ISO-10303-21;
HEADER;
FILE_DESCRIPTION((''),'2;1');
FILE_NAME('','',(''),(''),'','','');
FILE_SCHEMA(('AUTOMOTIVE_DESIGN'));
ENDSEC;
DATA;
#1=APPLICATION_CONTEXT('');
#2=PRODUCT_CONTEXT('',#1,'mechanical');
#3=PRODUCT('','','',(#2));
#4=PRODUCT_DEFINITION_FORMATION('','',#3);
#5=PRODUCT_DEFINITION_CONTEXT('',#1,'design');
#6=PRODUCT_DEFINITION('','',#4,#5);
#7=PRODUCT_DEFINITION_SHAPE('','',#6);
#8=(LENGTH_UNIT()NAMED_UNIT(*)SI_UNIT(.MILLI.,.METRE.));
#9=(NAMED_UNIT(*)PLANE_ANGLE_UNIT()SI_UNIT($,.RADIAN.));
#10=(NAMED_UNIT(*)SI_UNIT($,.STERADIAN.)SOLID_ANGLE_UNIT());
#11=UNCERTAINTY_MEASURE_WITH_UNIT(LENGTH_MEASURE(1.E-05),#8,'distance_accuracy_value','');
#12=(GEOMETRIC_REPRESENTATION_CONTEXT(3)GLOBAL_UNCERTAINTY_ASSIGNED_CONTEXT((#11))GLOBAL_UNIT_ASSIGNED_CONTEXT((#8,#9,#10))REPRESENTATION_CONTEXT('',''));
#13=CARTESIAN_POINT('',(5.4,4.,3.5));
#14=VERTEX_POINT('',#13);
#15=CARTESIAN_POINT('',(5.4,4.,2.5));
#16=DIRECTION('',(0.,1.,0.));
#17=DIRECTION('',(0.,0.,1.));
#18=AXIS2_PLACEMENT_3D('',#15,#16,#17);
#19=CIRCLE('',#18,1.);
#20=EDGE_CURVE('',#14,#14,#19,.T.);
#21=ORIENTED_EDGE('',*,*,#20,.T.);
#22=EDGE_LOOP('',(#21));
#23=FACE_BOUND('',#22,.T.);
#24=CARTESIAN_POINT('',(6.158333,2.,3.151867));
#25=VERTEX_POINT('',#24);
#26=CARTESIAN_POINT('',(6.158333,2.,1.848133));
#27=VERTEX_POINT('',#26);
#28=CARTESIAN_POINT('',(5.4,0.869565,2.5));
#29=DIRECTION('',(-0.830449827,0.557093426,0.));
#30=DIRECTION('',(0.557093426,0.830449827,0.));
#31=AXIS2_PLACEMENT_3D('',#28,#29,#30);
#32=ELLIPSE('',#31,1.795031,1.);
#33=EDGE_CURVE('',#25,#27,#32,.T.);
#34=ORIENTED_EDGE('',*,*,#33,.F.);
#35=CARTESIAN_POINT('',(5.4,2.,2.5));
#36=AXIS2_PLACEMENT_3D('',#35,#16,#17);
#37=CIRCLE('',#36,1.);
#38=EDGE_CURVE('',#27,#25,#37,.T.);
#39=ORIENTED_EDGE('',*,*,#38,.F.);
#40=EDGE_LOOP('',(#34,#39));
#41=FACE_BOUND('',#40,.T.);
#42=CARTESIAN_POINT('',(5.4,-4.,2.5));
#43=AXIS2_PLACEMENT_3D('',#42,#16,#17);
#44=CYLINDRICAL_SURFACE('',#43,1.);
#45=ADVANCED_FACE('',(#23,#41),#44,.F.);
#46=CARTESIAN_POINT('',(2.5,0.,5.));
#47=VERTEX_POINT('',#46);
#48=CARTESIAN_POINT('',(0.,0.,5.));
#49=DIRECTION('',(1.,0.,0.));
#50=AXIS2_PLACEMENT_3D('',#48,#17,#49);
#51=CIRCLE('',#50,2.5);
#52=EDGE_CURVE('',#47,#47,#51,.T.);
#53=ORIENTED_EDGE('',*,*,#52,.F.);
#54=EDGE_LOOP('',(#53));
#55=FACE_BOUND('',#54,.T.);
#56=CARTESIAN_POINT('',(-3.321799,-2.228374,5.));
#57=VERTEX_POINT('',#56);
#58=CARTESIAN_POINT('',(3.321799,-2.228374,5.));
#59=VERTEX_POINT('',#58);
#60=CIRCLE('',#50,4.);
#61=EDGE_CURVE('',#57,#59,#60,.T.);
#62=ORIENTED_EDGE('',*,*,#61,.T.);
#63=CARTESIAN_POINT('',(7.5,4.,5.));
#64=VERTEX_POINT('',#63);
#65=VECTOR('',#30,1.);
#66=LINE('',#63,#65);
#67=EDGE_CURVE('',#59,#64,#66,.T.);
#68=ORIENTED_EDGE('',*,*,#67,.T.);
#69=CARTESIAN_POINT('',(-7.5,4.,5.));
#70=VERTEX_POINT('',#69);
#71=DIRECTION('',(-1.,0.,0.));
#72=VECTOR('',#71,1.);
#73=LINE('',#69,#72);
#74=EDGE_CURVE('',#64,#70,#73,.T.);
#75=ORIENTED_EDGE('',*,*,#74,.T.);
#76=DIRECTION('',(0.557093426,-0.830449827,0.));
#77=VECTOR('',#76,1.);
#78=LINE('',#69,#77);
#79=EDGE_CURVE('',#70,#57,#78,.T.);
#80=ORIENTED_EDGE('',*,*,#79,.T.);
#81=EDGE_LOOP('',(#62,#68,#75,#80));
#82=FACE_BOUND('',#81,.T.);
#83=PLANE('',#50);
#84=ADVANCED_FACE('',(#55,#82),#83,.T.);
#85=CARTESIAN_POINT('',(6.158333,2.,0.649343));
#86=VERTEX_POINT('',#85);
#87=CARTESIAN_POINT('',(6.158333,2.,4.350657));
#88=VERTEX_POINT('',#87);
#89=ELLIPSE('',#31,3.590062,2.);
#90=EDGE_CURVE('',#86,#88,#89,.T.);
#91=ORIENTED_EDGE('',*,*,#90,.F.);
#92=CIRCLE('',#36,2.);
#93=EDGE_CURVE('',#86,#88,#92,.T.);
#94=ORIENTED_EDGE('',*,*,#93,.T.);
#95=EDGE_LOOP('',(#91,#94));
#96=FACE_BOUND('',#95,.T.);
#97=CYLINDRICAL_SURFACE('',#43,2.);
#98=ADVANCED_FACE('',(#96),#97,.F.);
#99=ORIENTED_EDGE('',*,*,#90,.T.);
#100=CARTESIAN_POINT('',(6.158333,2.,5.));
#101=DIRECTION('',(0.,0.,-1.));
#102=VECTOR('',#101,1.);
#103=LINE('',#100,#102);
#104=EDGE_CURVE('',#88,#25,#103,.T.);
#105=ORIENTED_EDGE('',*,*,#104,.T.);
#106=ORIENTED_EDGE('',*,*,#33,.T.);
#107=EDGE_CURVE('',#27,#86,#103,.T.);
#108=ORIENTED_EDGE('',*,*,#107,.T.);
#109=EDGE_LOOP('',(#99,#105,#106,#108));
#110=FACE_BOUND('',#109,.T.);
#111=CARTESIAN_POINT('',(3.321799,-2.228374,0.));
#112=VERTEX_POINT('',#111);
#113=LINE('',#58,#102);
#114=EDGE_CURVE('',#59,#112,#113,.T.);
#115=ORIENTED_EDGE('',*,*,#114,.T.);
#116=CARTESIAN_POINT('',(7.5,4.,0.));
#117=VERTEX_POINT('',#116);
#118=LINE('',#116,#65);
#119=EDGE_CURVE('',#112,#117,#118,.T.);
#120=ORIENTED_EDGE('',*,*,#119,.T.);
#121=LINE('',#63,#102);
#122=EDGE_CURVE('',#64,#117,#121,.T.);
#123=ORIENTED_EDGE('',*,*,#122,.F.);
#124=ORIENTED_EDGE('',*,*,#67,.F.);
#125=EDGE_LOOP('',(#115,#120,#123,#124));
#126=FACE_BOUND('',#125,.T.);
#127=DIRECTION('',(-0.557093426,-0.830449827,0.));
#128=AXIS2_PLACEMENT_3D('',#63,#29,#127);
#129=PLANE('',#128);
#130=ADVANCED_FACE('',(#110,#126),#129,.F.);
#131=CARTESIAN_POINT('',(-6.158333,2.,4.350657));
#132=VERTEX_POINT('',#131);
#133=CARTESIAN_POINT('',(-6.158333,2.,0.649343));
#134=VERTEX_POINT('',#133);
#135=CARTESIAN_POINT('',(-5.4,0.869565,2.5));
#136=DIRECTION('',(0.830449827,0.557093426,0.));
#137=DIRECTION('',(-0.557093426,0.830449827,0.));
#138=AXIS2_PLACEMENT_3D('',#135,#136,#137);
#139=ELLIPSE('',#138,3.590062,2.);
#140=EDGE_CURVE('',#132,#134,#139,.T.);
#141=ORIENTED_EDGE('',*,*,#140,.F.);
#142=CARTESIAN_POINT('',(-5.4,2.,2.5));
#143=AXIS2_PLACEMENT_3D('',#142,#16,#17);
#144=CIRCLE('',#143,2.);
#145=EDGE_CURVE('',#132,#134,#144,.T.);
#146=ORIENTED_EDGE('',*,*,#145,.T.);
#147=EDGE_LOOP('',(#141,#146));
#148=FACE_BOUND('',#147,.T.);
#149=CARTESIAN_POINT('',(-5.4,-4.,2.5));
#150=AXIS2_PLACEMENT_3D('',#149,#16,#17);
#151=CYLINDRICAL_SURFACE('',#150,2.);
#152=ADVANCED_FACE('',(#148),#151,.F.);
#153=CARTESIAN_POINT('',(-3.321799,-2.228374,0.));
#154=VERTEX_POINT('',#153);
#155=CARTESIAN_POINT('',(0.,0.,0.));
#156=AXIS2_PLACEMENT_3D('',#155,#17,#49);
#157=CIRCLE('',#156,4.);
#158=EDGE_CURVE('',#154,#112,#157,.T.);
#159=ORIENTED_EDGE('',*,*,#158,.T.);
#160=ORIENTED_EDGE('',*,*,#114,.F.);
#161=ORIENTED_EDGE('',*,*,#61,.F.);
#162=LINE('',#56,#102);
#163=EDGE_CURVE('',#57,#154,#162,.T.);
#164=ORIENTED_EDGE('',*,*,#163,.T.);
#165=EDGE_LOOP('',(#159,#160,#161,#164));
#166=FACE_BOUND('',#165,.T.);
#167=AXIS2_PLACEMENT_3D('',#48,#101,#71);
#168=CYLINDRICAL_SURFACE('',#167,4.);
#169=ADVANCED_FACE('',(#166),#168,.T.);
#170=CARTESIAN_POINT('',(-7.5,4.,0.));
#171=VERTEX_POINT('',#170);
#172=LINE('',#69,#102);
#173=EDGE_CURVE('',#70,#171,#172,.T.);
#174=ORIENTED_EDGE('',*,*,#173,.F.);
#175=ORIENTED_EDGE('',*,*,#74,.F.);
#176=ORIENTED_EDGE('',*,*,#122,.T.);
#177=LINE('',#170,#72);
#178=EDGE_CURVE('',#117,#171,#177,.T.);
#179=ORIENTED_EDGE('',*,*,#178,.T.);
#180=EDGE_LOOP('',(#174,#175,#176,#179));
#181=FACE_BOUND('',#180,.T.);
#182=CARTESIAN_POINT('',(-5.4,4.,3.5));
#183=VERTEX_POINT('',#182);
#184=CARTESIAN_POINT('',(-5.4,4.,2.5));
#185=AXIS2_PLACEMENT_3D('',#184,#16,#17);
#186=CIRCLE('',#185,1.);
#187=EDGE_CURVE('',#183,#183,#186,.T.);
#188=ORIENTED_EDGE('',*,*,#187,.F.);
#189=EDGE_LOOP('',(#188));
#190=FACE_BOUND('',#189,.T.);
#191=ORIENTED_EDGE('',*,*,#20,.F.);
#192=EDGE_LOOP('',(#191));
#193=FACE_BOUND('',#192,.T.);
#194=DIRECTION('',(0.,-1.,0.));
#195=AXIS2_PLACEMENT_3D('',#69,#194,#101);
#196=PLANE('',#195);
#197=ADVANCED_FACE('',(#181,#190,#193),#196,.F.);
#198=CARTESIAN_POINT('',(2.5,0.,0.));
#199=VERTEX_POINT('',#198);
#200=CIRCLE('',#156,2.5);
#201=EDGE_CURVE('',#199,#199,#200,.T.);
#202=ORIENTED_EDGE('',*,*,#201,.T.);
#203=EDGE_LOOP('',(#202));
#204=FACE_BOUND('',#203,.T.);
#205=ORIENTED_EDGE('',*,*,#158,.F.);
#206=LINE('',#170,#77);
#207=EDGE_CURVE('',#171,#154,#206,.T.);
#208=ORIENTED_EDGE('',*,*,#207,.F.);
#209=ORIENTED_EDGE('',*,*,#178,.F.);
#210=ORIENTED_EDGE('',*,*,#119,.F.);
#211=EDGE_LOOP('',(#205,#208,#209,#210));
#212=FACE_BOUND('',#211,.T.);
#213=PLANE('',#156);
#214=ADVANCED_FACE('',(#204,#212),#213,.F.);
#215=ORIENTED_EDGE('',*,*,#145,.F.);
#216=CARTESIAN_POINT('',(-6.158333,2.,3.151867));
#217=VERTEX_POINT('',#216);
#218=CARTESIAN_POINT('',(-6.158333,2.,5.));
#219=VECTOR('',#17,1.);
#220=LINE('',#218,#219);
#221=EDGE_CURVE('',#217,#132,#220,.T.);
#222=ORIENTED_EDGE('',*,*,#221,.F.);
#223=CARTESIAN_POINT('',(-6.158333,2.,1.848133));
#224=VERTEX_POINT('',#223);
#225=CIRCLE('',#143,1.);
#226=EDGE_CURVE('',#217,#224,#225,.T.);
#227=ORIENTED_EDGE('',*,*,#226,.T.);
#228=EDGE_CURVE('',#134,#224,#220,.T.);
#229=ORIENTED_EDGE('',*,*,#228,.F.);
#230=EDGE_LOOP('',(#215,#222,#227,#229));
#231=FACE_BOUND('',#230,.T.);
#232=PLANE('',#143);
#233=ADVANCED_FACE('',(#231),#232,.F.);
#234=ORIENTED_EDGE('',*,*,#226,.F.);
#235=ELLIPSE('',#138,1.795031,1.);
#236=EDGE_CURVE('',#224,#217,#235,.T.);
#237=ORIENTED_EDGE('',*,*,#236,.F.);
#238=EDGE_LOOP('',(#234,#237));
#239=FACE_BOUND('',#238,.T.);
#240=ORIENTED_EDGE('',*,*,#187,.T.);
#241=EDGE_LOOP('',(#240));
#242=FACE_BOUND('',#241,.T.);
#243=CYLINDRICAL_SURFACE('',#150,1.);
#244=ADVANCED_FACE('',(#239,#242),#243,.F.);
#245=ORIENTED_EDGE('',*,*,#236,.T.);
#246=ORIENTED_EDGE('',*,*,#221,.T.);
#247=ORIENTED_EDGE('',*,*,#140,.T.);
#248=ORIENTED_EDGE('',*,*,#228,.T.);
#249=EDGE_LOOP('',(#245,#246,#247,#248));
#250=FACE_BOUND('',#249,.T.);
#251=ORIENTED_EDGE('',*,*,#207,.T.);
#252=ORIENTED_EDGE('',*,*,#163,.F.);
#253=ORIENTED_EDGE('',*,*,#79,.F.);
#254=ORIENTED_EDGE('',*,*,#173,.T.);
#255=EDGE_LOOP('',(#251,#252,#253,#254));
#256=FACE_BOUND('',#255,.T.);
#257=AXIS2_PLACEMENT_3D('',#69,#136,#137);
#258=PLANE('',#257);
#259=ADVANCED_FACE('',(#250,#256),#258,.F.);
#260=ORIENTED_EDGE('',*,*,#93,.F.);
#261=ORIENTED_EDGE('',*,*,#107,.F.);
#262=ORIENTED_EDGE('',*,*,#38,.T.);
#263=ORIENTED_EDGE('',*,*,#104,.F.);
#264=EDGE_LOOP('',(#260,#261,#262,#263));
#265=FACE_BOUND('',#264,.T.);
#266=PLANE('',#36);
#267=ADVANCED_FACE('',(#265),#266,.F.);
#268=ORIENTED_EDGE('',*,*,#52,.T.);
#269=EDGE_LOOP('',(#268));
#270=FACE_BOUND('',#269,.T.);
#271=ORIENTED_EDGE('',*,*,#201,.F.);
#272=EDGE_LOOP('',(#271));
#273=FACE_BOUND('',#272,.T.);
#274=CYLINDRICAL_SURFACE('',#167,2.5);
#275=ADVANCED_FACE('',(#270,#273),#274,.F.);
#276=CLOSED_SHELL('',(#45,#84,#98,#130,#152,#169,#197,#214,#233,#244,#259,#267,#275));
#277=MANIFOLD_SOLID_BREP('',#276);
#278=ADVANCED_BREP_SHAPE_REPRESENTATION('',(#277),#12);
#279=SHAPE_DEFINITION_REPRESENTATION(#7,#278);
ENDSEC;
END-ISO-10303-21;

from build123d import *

# Parameters (mm, degrees)
SKETCH1_R           = 2.5
BOSS_EXTRUDE1_DEPTH = 5
CUT_EXTRUDE1_START  = -2
SKETCH2_R           = 2
SKETCH2_R_2         = 1
CUT_EXTRUDE1_DEPTH  = 11.051970793
SKETCH2_2_R         = 1
CUT_EXTRUDE2_DEPTH  = 13.051970793


with BuildPart() as part:
    # Sketch1 → Boss-Extrude1 (new body)
    with BuildSketch(Plane.XY):
        with BuildLine():
            Line((-7.5, 4), (7.5, 4))
            Line((7.5, 4), (3.321799308, -2.228373702))
            ThreePointArc((3.321799308, -2.228373702), (0, -4), (-3.321799308, -2.228373702))
            Line((-3.321799308, -2.228373702), (-7.5, 4))
        make_face()
        Circle(SKETCH1_R, mode=Mode.SUBTRACT)
    extrude(amount=BOSS_EXTRUDE1_DEPTH)

    # Sketch2 → Cut-Extrude1 (cut, through all)
    # profile 1 of 2: a face of its own
    with BuildSketch(Plane(origin=(0, 4, 0), x_dir=(1, 0, 0), z_dir=(0, 1, 0)).offset(CUT_EXTRUDE1_START)):
        with Locations((-5.4, -2.5)):
            Circle(SKETCH2_R)
        with Locations((-5.4, -2.5)):
            Circle(SKETCH2_R_2, mode=Mode.SUBTRACT)
    # profile 2 of 2: a face of its own
    with BuildSketch(Plane(origin=(0, 4, 0), x_dir=(1, 0, 0), z_dir=(0, 1, 0)).offset(CUT_EXTRUDE1_START)):
        with Locations((5.4, -2.5)):
            Circle(SKETCH2_R)
        with Locations((5.4, -2.5)):
            Circle(SKETCH2_R_2, mode=Mode.SUBTRACT)
    extrude(amount=-CUT_EXTRUDE1_DEPTH, mode=Mode.SUBTRACT)

    # Sketch2<2> → Cut-Extrude2 (cut, through all)
    with BuildSketch(Plane(origin=(0, 4, 0), x_dir=(1, 0, 0), z_dir=(0, 1, 0))):
        with Locations((-5.4, -2.5)):
            Circle(SKETCH2_2_R)
        with Locations((5.4, -2.5)):
            Circle(SKETCH2_2_R)
    extrude(amount=-CUT_EXTRUDE2_DEPTH, mode=Mode.SUBTRACT)


solid = part.part
